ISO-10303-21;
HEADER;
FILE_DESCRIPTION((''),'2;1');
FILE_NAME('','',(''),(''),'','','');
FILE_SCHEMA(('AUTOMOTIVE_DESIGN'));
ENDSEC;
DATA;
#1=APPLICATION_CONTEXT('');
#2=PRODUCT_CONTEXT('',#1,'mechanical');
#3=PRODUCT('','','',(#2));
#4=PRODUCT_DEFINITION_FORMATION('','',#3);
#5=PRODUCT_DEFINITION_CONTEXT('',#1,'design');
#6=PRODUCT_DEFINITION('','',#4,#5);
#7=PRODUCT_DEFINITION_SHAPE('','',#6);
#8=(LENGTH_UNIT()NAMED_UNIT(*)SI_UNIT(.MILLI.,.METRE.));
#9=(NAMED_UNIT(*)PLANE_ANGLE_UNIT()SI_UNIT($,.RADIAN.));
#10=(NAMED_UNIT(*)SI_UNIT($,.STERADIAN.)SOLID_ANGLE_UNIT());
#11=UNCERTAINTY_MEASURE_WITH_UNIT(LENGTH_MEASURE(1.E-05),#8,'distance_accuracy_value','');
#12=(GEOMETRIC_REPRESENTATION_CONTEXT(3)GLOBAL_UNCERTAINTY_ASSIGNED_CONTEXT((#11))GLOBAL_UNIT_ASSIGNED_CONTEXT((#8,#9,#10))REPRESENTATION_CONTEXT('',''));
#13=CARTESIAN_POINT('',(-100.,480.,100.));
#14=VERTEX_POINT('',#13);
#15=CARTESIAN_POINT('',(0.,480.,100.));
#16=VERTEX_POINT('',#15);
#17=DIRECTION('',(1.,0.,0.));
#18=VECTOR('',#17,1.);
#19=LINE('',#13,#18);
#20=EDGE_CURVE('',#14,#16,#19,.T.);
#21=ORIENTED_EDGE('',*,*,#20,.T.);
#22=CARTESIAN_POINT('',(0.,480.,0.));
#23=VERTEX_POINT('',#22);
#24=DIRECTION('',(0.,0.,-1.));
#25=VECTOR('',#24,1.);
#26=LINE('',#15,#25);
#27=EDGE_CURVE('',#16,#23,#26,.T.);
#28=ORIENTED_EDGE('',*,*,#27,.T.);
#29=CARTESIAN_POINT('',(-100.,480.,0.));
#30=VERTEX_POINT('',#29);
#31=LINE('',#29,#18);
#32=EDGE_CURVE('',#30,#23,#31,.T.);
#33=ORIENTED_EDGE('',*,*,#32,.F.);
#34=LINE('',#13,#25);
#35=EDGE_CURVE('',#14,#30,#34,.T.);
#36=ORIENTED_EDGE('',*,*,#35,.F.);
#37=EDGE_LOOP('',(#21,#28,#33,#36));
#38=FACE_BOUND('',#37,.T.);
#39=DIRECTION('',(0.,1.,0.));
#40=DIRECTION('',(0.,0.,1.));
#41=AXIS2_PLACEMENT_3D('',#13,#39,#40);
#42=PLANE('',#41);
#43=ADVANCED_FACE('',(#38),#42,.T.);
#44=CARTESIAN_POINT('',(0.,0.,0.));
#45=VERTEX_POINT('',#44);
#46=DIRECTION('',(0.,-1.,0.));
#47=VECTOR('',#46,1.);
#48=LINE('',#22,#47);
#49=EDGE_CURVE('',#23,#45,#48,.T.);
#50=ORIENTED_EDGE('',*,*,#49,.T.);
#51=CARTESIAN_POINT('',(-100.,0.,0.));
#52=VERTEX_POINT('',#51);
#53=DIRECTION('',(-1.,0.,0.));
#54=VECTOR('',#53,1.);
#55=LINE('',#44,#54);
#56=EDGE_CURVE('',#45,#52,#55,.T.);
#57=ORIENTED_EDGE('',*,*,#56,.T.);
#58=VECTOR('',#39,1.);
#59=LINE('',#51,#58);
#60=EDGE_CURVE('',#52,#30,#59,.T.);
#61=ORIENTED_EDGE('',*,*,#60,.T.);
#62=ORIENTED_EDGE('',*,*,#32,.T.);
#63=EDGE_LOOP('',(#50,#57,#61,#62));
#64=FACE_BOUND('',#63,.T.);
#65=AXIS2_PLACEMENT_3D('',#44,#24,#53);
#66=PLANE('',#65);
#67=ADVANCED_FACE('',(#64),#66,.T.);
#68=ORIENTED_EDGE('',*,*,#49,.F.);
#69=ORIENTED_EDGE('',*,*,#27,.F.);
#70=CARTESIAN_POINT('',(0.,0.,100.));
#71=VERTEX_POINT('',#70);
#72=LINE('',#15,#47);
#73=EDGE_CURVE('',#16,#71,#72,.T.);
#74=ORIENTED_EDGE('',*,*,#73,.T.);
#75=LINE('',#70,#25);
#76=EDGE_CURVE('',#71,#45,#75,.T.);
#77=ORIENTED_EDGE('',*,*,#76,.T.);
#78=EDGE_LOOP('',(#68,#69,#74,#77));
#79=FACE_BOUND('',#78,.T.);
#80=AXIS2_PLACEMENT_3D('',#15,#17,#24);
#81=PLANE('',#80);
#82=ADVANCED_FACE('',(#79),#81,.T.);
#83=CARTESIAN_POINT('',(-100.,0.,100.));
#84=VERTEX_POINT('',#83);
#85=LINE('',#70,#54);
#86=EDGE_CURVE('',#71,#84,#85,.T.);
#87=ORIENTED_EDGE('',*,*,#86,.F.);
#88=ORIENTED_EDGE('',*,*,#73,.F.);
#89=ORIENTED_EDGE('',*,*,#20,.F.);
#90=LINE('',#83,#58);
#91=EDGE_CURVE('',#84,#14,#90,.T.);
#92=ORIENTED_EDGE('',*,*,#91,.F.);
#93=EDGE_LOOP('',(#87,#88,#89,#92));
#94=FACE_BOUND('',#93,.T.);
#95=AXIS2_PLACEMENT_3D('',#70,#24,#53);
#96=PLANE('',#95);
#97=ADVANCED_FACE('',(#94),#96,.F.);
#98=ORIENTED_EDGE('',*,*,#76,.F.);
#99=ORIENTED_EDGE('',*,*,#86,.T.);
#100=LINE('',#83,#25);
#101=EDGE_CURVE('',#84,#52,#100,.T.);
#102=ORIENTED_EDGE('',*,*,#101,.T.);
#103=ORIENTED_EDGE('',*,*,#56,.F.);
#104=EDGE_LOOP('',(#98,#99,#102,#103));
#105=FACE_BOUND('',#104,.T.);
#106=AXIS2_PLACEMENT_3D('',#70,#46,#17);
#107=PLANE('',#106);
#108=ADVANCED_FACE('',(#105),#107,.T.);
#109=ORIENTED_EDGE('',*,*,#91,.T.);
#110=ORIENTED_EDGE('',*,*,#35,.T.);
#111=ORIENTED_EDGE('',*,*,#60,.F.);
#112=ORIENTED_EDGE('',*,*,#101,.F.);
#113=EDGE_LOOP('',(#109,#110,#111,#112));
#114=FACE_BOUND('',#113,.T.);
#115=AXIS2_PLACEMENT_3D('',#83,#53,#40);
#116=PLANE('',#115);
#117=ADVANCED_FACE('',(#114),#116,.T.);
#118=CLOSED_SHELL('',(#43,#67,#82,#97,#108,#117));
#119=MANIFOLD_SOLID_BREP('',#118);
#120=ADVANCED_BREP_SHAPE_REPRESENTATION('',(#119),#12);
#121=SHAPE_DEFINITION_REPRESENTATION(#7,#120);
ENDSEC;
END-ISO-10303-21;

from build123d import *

# Parameters (mm, degrees)
SKETCH1_W           = 100
SKETCH1_H           = 480
BOSS_EXTRUDE1_DEPTH = 100


with BuildPart() as part:
    # Sketch1 → Boss-Extrude1 (new body)
    with BuildSketch(Plane.XY):
        with Locations((-50, 240)):
            Rectangle(SKETCH1_W, SKETCH1_H)
    extrude(amount=BOSS_EXTRUDE1_DEPTH)


solid = part.part
